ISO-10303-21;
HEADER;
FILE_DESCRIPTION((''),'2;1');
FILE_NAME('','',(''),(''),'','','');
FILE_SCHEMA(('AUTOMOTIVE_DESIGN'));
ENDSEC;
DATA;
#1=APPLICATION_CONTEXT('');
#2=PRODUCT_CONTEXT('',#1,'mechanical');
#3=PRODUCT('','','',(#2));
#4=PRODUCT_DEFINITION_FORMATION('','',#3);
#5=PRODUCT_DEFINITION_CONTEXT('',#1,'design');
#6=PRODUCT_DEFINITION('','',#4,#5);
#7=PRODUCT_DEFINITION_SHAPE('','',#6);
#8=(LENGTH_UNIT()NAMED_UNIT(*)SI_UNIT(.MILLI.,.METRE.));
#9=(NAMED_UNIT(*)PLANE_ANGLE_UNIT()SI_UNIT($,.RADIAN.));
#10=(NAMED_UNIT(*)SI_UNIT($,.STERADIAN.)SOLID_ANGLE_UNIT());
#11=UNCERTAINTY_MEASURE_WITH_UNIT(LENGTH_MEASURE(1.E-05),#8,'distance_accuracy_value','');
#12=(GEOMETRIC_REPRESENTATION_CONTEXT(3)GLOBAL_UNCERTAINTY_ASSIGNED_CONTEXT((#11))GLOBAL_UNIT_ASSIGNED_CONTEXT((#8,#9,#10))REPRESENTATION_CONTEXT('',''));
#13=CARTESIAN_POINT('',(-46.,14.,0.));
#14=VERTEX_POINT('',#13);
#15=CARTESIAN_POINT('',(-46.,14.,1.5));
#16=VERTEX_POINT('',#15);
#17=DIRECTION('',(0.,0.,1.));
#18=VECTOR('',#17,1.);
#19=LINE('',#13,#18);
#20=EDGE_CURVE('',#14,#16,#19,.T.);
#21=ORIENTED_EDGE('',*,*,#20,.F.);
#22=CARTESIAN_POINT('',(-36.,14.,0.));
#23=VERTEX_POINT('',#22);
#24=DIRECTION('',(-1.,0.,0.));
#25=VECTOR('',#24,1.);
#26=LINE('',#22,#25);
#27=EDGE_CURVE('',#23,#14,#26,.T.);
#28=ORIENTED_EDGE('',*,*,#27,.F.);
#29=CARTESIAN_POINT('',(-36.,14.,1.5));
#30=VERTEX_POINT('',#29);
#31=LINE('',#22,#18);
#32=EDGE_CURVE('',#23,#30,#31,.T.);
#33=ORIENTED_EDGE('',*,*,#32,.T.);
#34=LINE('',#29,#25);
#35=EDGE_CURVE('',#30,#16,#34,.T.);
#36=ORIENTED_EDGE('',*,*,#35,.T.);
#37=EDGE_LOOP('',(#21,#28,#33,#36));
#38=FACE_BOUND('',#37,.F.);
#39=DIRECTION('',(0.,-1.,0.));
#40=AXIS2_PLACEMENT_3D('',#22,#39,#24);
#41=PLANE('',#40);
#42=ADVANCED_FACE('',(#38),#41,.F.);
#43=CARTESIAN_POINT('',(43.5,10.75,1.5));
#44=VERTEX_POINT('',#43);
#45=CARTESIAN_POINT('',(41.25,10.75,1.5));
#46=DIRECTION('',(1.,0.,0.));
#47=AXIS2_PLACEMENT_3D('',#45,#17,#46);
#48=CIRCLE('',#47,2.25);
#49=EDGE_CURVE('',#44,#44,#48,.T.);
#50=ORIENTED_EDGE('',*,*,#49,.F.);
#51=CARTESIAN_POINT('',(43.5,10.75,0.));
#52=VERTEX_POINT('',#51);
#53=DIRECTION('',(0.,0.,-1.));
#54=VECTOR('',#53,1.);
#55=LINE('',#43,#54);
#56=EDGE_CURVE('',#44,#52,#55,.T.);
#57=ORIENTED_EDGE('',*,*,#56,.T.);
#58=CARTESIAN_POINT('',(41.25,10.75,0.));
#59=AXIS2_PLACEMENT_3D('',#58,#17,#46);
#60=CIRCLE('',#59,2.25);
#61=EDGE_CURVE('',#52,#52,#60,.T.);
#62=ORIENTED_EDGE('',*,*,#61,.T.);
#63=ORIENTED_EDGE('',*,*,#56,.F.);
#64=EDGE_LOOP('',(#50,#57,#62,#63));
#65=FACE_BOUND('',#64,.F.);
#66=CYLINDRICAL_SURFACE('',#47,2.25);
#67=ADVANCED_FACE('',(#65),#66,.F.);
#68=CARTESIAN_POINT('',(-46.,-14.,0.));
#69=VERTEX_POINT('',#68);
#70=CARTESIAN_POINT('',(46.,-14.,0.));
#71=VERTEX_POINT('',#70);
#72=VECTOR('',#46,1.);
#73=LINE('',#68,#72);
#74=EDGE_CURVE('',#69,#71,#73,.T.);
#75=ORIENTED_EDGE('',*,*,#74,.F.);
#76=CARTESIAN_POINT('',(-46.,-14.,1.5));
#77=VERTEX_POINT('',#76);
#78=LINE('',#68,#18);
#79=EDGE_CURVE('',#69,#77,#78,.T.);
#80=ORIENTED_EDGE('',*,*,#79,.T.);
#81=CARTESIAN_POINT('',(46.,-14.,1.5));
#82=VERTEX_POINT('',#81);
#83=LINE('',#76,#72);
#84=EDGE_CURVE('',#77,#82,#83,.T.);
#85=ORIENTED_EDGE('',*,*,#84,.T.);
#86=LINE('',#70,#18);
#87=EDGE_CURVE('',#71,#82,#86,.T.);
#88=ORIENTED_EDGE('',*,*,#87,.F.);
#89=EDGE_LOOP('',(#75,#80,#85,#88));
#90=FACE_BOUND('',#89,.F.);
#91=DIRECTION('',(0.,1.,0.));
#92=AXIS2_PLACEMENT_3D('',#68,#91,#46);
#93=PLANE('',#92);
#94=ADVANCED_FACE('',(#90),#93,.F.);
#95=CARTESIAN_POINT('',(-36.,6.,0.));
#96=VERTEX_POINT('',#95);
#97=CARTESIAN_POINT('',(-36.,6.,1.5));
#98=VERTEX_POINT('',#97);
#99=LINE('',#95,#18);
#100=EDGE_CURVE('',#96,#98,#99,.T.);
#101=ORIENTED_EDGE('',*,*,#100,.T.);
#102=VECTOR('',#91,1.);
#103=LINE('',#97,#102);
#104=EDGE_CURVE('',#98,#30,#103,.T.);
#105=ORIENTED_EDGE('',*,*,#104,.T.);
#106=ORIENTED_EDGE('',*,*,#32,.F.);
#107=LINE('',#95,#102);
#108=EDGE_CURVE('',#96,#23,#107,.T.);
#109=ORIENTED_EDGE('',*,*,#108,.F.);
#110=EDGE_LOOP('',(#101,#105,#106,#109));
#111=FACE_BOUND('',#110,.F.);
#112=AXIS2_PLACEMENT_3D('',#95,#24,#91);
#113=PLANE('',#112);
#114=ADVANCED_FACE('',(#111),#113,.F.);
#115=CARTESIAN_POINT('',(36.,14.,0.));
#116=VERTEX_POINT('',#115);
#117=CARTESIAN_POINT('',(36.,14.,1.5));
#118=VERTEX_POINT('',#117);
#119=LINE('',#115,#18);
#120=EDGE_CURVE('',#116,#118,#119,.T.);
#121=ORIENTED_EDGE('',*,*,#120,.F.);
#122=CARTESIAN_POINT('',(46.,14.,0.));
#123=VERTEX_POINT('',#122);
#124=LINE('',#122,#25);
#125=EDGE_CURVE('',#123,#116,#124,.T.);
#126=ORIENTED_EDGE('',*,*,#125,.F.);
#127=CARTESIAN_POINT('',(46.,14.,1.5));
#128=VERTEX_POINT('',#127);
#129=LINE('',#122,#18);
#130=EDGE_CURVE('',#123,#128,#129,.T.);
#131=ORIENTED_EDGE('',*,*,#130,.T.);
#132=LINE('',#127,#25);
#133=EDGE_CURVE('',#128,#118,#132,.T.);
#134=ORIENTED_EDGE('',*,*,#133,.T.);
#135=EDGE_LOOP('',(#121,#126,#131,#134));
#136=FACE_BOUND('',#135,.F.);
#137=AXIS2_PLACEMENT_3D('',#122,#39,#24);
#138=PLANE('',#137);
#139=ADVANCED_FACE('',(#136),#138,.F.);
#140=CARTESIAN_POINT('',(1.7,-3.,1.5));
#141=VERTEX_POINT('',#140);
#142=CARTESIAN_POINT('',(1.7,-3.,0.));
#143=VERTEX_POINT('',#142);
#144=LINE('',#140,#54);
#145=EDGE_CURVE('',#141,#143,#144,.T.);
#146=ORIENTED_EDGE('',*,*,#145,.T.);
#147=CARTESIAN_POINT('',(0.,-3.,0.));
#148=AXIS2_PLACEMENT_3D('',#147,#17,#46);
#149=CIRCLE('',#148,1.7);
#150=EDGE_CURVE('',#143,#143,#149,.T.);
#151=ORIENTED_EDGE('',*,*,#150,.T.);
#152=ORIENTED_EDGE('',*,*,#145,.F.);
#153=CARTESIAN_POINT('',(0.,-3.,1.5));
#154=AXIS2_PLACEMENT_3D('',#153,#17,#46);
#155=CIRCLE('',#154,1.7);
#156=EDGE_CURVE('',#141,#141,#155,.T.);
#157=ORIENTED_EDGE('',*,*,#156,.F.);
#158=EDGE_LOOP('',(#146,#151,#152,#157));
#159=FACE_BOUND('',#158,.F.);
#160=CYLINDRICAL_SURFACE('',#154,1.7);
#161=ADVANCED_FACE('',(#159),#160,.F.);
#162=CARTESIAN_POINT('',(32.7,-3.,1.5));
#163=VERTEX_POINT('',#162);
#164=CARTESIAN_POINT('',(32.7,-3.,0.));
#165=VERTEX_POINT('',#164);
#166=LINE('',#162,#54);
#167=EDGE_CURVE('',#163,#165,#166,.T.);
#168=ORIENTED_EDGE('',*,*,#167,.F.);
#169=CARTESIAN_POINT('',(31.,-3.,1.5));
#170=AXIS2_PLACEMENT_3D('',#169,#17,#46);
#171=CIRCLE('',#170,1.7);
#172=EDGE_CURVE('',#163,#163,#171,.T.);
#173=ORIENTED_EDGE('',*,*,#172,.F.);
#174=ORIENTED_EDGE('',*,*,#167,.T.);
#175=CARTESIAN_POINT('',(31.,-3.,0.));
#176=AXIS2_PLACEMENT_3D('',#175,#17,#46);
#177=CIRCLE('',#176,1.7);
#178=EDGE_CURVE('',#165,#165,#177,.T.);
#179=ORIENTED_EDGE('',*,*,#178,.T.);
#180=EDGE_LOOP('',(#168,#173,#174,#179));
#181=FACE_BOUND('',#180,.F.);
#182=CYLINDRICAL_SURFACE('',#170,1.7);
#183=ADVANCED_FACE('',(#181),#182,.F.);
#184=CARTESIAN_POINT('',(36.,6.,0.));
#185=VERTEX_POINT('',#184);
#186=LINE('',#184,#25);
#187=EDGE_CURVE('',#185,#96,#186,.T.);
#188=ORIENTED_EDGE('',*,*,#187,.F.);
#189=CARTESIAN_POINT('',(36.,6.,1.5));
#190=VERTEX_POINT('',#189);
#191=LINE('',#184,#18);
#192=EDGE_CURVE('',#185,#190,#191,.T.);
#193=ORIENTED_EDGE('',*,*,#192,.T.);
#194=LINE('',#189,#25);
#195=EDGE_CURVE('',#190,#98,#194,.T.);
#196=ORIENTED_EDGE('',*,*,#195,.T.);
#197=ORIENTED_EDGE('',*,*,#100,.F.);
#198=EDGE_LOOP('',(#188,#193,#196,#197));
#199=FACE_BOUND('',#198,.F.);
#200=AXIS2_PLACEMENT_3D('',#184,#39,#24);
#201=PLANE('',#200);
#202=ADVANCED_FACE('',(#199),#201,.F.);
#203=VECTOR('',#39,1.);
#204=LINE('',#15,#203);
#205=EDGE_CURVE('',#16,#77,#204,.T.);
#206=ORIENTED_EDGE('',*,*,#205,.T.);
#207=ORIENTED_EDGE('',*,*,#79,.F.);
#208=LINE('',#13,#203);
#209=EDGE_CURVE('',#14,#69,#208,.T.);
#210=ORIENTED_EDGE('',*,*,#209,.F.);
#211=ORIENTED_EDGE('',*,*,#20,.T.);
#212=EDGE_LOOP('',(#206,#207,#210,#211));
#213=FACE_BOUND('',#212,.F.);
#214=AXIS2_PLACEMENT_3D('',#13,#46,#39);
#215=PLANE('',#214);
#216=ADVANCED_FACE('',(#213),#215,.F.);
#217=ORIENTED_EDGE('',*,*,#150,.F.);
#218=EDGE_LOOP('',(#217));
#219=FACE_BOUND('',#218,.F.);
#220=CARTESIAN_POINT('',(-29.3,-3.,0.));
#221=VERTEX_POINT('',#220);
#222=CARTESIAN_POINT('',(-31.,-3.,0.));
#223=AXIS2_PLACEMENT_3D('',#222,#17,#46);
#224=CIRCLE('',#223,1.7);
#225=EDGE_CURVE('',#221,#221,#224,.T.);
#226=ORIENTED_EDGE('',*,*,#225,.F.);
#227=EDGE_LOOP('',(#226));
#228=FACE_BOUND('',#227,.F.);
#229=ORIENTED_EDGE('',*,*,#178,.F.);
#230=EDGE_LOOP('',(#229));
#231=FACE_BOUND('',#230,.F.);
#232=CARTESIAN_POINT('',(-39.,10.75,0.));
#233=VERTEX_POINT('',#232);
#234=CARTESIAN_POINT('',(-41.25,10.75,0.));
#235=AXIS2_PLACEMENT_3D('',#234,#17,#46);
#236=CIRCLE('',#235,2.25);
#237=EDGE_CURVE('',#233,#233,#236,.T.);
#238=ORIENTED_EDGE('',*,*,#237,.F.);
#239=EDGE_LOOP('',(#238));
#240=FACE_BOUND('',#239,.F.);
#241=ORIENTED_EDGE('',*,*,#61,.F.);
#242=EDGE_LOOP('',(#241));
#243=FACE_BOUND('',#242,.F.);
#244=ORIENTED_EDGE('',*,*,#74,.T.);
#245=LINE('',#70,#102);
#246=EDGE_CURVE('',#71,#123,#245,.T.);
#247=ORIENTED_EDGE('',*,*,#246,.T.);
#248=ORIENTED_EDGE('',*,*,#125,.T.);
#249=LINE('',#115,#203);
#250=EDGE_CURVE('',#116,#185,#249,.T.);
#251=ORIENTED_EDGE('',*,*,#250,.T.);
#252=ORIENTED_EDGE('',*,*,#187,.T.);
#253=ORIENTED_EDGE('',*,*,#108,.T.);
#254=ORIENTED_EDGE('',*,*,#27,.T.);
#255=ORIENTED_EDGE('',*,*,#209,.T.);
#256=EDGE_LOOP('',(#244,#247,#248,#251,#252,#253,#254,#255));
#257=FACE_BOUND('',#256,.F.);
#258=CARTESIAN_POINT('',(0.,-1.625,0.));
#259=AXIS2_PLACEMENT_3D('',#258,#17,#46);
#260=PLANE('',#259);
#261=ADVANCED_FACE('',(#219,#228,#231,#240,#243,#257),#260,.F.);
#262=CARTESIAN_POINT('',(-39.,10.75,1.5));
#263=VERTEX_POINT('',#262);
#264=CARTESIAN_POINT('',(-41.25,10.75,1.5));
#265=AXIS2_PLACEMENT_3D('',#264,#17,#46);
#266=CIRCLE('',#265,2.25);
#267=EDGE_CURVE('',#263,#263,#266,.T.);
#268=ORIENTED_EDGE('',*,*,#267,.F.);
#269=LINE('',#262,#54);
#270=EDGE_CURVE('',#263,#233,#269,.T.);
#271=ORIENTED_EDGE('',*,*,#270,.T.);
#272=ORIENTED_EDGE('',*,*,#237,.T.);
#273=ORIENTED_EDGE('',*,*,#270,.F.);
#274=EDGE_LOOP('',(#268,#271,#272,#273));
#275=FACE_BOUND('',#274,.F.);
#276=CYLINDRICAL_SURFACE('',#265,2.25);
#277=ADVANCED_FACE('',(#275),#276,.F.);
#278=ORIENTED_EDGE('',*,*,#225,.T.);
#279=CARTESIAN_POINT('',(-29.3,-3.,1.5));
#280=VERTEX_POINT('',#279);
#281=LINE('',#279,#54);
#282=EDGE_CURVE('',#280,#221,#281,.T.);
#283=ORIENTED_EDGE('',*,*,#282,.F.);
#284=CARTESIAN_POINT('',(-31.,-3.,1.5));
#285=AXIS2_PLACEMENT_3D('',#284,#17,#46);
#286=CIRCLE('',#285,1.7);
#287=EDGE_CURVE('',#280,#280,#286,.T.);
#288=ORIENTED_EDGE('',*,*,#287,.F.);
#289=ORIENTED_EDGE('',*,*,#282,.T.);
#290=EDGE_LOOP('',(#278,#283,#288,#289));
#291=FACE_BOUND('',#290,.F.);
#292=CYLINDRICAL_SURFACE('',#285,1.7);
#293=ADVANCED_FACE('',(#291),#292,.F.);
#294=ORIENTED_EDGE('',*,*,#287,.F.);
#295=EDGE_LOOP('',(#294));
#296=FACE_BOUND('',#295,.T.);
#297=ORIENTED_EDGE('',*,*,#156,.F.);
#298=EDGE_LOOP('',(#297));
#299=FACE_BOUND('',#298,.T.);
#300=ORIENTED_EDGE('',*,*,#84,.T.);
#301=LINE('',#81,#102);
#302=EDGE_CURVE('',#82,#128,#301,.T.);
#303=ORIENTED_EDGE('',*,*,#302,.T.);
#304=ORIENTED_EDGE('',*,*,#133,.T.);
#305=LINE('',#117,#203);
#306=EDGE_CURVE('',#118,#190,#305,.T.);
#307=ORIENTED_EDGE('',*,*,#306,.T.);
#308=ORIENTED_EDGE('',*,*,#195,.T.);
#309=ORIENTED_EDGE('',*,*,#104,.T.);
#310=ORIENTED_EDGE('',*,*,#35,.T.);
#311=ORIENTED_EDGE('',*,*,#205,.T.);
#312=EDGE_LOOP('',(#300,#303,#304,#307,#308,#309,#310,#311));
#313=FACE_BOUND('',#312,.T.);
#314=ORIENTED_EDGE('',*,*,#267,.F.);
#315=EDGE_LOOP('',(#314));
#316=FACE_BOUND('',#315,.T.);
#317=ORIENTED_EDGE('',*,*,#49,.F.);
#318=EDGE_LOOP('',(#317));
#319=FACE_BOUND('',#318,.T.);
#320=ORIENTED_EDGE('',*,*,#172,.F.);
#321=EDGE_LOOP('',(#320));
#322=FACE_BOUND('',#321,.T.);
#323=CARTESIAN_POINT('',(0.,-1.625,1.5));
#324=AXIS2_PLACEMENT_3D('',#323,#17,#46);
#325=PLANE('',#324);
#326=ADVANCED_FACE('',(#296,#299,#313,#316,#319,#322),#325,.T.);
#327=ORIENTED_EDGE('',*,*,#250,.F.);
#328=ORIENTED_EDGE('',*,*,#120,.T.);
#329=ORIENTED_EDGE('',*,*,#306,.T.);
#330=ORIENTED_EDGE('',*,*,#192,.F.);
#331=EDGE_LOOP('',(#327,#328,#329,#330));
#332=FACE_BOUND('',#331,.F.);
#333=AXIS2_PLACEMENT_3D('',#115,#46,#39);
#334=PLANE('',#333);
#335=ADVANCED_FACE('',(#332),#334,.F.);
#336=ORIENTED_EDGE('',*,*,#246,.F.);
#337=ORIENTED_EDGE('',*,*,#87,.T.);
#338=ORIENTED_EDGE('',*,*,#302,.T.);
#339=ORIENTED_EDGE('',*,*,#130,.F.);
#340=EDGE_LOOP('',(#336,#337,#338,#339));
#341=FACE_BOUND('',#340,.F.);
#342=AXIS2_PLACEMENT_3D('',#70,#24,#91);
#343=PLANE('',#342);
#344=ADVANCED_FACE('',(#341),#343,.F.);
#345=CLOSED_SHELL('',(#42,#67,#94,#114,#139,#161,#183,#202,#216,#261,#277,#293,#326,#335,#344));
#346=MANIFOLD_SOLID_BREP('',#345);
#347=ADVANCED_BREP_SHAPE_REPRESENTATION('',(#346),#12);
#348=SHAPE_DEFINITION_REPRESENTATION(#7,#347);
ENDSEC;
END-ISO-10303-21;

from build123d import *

# Parameters (mm, degrees)
PAD_DEPTH     = 1.5
SKETCH001_R   = 1.7
HOLE_DEPTH    = 25
SKETCH002_R   = 2.25
HOLE001_DEPTH = 25


with BuildPart() as part:
    # Sketch → Pad (new body)
    with BuildSketch(Plane.XY):
        Polygon((-36, 14), (-46, 14), (-46, -14), (46, -14), (46, 14), (36, 14), (36, 6), (-36, 6), align=None)
    extrude(amount=PAD_DEPTH)

    # Sketch001 (on Face10 of Pad) → Hole (cut)
    with BuildSketch(Plane.XY.offset(1.5)):
        with Locations((31, -3)):
            Circle(SKETCH001_R)
        with Locations((0, -3)):
            Circle(SKETCH001_R)
        with Locations((-31, -3)):
            Circle(SKETCH001_R)
    extrude(amount=-HOLE_DEPTH, mode=Mode.SUBTRACT)

    # Sketch002 (on Face5 of Hole) → Hole001 (cut)
    with BuildSketch(Plane.XY.offset(1.5)):
        with Locations((-41.25, 10.75)):
            Circle(SKETCH002_R)
        with Locations((41.25, 10.75)):
            Circle(SKETCH002_R)
    extrude(amount=-HOLE001_DEPTH, mode=Mode.SUBTRACT)


solid = part.part
